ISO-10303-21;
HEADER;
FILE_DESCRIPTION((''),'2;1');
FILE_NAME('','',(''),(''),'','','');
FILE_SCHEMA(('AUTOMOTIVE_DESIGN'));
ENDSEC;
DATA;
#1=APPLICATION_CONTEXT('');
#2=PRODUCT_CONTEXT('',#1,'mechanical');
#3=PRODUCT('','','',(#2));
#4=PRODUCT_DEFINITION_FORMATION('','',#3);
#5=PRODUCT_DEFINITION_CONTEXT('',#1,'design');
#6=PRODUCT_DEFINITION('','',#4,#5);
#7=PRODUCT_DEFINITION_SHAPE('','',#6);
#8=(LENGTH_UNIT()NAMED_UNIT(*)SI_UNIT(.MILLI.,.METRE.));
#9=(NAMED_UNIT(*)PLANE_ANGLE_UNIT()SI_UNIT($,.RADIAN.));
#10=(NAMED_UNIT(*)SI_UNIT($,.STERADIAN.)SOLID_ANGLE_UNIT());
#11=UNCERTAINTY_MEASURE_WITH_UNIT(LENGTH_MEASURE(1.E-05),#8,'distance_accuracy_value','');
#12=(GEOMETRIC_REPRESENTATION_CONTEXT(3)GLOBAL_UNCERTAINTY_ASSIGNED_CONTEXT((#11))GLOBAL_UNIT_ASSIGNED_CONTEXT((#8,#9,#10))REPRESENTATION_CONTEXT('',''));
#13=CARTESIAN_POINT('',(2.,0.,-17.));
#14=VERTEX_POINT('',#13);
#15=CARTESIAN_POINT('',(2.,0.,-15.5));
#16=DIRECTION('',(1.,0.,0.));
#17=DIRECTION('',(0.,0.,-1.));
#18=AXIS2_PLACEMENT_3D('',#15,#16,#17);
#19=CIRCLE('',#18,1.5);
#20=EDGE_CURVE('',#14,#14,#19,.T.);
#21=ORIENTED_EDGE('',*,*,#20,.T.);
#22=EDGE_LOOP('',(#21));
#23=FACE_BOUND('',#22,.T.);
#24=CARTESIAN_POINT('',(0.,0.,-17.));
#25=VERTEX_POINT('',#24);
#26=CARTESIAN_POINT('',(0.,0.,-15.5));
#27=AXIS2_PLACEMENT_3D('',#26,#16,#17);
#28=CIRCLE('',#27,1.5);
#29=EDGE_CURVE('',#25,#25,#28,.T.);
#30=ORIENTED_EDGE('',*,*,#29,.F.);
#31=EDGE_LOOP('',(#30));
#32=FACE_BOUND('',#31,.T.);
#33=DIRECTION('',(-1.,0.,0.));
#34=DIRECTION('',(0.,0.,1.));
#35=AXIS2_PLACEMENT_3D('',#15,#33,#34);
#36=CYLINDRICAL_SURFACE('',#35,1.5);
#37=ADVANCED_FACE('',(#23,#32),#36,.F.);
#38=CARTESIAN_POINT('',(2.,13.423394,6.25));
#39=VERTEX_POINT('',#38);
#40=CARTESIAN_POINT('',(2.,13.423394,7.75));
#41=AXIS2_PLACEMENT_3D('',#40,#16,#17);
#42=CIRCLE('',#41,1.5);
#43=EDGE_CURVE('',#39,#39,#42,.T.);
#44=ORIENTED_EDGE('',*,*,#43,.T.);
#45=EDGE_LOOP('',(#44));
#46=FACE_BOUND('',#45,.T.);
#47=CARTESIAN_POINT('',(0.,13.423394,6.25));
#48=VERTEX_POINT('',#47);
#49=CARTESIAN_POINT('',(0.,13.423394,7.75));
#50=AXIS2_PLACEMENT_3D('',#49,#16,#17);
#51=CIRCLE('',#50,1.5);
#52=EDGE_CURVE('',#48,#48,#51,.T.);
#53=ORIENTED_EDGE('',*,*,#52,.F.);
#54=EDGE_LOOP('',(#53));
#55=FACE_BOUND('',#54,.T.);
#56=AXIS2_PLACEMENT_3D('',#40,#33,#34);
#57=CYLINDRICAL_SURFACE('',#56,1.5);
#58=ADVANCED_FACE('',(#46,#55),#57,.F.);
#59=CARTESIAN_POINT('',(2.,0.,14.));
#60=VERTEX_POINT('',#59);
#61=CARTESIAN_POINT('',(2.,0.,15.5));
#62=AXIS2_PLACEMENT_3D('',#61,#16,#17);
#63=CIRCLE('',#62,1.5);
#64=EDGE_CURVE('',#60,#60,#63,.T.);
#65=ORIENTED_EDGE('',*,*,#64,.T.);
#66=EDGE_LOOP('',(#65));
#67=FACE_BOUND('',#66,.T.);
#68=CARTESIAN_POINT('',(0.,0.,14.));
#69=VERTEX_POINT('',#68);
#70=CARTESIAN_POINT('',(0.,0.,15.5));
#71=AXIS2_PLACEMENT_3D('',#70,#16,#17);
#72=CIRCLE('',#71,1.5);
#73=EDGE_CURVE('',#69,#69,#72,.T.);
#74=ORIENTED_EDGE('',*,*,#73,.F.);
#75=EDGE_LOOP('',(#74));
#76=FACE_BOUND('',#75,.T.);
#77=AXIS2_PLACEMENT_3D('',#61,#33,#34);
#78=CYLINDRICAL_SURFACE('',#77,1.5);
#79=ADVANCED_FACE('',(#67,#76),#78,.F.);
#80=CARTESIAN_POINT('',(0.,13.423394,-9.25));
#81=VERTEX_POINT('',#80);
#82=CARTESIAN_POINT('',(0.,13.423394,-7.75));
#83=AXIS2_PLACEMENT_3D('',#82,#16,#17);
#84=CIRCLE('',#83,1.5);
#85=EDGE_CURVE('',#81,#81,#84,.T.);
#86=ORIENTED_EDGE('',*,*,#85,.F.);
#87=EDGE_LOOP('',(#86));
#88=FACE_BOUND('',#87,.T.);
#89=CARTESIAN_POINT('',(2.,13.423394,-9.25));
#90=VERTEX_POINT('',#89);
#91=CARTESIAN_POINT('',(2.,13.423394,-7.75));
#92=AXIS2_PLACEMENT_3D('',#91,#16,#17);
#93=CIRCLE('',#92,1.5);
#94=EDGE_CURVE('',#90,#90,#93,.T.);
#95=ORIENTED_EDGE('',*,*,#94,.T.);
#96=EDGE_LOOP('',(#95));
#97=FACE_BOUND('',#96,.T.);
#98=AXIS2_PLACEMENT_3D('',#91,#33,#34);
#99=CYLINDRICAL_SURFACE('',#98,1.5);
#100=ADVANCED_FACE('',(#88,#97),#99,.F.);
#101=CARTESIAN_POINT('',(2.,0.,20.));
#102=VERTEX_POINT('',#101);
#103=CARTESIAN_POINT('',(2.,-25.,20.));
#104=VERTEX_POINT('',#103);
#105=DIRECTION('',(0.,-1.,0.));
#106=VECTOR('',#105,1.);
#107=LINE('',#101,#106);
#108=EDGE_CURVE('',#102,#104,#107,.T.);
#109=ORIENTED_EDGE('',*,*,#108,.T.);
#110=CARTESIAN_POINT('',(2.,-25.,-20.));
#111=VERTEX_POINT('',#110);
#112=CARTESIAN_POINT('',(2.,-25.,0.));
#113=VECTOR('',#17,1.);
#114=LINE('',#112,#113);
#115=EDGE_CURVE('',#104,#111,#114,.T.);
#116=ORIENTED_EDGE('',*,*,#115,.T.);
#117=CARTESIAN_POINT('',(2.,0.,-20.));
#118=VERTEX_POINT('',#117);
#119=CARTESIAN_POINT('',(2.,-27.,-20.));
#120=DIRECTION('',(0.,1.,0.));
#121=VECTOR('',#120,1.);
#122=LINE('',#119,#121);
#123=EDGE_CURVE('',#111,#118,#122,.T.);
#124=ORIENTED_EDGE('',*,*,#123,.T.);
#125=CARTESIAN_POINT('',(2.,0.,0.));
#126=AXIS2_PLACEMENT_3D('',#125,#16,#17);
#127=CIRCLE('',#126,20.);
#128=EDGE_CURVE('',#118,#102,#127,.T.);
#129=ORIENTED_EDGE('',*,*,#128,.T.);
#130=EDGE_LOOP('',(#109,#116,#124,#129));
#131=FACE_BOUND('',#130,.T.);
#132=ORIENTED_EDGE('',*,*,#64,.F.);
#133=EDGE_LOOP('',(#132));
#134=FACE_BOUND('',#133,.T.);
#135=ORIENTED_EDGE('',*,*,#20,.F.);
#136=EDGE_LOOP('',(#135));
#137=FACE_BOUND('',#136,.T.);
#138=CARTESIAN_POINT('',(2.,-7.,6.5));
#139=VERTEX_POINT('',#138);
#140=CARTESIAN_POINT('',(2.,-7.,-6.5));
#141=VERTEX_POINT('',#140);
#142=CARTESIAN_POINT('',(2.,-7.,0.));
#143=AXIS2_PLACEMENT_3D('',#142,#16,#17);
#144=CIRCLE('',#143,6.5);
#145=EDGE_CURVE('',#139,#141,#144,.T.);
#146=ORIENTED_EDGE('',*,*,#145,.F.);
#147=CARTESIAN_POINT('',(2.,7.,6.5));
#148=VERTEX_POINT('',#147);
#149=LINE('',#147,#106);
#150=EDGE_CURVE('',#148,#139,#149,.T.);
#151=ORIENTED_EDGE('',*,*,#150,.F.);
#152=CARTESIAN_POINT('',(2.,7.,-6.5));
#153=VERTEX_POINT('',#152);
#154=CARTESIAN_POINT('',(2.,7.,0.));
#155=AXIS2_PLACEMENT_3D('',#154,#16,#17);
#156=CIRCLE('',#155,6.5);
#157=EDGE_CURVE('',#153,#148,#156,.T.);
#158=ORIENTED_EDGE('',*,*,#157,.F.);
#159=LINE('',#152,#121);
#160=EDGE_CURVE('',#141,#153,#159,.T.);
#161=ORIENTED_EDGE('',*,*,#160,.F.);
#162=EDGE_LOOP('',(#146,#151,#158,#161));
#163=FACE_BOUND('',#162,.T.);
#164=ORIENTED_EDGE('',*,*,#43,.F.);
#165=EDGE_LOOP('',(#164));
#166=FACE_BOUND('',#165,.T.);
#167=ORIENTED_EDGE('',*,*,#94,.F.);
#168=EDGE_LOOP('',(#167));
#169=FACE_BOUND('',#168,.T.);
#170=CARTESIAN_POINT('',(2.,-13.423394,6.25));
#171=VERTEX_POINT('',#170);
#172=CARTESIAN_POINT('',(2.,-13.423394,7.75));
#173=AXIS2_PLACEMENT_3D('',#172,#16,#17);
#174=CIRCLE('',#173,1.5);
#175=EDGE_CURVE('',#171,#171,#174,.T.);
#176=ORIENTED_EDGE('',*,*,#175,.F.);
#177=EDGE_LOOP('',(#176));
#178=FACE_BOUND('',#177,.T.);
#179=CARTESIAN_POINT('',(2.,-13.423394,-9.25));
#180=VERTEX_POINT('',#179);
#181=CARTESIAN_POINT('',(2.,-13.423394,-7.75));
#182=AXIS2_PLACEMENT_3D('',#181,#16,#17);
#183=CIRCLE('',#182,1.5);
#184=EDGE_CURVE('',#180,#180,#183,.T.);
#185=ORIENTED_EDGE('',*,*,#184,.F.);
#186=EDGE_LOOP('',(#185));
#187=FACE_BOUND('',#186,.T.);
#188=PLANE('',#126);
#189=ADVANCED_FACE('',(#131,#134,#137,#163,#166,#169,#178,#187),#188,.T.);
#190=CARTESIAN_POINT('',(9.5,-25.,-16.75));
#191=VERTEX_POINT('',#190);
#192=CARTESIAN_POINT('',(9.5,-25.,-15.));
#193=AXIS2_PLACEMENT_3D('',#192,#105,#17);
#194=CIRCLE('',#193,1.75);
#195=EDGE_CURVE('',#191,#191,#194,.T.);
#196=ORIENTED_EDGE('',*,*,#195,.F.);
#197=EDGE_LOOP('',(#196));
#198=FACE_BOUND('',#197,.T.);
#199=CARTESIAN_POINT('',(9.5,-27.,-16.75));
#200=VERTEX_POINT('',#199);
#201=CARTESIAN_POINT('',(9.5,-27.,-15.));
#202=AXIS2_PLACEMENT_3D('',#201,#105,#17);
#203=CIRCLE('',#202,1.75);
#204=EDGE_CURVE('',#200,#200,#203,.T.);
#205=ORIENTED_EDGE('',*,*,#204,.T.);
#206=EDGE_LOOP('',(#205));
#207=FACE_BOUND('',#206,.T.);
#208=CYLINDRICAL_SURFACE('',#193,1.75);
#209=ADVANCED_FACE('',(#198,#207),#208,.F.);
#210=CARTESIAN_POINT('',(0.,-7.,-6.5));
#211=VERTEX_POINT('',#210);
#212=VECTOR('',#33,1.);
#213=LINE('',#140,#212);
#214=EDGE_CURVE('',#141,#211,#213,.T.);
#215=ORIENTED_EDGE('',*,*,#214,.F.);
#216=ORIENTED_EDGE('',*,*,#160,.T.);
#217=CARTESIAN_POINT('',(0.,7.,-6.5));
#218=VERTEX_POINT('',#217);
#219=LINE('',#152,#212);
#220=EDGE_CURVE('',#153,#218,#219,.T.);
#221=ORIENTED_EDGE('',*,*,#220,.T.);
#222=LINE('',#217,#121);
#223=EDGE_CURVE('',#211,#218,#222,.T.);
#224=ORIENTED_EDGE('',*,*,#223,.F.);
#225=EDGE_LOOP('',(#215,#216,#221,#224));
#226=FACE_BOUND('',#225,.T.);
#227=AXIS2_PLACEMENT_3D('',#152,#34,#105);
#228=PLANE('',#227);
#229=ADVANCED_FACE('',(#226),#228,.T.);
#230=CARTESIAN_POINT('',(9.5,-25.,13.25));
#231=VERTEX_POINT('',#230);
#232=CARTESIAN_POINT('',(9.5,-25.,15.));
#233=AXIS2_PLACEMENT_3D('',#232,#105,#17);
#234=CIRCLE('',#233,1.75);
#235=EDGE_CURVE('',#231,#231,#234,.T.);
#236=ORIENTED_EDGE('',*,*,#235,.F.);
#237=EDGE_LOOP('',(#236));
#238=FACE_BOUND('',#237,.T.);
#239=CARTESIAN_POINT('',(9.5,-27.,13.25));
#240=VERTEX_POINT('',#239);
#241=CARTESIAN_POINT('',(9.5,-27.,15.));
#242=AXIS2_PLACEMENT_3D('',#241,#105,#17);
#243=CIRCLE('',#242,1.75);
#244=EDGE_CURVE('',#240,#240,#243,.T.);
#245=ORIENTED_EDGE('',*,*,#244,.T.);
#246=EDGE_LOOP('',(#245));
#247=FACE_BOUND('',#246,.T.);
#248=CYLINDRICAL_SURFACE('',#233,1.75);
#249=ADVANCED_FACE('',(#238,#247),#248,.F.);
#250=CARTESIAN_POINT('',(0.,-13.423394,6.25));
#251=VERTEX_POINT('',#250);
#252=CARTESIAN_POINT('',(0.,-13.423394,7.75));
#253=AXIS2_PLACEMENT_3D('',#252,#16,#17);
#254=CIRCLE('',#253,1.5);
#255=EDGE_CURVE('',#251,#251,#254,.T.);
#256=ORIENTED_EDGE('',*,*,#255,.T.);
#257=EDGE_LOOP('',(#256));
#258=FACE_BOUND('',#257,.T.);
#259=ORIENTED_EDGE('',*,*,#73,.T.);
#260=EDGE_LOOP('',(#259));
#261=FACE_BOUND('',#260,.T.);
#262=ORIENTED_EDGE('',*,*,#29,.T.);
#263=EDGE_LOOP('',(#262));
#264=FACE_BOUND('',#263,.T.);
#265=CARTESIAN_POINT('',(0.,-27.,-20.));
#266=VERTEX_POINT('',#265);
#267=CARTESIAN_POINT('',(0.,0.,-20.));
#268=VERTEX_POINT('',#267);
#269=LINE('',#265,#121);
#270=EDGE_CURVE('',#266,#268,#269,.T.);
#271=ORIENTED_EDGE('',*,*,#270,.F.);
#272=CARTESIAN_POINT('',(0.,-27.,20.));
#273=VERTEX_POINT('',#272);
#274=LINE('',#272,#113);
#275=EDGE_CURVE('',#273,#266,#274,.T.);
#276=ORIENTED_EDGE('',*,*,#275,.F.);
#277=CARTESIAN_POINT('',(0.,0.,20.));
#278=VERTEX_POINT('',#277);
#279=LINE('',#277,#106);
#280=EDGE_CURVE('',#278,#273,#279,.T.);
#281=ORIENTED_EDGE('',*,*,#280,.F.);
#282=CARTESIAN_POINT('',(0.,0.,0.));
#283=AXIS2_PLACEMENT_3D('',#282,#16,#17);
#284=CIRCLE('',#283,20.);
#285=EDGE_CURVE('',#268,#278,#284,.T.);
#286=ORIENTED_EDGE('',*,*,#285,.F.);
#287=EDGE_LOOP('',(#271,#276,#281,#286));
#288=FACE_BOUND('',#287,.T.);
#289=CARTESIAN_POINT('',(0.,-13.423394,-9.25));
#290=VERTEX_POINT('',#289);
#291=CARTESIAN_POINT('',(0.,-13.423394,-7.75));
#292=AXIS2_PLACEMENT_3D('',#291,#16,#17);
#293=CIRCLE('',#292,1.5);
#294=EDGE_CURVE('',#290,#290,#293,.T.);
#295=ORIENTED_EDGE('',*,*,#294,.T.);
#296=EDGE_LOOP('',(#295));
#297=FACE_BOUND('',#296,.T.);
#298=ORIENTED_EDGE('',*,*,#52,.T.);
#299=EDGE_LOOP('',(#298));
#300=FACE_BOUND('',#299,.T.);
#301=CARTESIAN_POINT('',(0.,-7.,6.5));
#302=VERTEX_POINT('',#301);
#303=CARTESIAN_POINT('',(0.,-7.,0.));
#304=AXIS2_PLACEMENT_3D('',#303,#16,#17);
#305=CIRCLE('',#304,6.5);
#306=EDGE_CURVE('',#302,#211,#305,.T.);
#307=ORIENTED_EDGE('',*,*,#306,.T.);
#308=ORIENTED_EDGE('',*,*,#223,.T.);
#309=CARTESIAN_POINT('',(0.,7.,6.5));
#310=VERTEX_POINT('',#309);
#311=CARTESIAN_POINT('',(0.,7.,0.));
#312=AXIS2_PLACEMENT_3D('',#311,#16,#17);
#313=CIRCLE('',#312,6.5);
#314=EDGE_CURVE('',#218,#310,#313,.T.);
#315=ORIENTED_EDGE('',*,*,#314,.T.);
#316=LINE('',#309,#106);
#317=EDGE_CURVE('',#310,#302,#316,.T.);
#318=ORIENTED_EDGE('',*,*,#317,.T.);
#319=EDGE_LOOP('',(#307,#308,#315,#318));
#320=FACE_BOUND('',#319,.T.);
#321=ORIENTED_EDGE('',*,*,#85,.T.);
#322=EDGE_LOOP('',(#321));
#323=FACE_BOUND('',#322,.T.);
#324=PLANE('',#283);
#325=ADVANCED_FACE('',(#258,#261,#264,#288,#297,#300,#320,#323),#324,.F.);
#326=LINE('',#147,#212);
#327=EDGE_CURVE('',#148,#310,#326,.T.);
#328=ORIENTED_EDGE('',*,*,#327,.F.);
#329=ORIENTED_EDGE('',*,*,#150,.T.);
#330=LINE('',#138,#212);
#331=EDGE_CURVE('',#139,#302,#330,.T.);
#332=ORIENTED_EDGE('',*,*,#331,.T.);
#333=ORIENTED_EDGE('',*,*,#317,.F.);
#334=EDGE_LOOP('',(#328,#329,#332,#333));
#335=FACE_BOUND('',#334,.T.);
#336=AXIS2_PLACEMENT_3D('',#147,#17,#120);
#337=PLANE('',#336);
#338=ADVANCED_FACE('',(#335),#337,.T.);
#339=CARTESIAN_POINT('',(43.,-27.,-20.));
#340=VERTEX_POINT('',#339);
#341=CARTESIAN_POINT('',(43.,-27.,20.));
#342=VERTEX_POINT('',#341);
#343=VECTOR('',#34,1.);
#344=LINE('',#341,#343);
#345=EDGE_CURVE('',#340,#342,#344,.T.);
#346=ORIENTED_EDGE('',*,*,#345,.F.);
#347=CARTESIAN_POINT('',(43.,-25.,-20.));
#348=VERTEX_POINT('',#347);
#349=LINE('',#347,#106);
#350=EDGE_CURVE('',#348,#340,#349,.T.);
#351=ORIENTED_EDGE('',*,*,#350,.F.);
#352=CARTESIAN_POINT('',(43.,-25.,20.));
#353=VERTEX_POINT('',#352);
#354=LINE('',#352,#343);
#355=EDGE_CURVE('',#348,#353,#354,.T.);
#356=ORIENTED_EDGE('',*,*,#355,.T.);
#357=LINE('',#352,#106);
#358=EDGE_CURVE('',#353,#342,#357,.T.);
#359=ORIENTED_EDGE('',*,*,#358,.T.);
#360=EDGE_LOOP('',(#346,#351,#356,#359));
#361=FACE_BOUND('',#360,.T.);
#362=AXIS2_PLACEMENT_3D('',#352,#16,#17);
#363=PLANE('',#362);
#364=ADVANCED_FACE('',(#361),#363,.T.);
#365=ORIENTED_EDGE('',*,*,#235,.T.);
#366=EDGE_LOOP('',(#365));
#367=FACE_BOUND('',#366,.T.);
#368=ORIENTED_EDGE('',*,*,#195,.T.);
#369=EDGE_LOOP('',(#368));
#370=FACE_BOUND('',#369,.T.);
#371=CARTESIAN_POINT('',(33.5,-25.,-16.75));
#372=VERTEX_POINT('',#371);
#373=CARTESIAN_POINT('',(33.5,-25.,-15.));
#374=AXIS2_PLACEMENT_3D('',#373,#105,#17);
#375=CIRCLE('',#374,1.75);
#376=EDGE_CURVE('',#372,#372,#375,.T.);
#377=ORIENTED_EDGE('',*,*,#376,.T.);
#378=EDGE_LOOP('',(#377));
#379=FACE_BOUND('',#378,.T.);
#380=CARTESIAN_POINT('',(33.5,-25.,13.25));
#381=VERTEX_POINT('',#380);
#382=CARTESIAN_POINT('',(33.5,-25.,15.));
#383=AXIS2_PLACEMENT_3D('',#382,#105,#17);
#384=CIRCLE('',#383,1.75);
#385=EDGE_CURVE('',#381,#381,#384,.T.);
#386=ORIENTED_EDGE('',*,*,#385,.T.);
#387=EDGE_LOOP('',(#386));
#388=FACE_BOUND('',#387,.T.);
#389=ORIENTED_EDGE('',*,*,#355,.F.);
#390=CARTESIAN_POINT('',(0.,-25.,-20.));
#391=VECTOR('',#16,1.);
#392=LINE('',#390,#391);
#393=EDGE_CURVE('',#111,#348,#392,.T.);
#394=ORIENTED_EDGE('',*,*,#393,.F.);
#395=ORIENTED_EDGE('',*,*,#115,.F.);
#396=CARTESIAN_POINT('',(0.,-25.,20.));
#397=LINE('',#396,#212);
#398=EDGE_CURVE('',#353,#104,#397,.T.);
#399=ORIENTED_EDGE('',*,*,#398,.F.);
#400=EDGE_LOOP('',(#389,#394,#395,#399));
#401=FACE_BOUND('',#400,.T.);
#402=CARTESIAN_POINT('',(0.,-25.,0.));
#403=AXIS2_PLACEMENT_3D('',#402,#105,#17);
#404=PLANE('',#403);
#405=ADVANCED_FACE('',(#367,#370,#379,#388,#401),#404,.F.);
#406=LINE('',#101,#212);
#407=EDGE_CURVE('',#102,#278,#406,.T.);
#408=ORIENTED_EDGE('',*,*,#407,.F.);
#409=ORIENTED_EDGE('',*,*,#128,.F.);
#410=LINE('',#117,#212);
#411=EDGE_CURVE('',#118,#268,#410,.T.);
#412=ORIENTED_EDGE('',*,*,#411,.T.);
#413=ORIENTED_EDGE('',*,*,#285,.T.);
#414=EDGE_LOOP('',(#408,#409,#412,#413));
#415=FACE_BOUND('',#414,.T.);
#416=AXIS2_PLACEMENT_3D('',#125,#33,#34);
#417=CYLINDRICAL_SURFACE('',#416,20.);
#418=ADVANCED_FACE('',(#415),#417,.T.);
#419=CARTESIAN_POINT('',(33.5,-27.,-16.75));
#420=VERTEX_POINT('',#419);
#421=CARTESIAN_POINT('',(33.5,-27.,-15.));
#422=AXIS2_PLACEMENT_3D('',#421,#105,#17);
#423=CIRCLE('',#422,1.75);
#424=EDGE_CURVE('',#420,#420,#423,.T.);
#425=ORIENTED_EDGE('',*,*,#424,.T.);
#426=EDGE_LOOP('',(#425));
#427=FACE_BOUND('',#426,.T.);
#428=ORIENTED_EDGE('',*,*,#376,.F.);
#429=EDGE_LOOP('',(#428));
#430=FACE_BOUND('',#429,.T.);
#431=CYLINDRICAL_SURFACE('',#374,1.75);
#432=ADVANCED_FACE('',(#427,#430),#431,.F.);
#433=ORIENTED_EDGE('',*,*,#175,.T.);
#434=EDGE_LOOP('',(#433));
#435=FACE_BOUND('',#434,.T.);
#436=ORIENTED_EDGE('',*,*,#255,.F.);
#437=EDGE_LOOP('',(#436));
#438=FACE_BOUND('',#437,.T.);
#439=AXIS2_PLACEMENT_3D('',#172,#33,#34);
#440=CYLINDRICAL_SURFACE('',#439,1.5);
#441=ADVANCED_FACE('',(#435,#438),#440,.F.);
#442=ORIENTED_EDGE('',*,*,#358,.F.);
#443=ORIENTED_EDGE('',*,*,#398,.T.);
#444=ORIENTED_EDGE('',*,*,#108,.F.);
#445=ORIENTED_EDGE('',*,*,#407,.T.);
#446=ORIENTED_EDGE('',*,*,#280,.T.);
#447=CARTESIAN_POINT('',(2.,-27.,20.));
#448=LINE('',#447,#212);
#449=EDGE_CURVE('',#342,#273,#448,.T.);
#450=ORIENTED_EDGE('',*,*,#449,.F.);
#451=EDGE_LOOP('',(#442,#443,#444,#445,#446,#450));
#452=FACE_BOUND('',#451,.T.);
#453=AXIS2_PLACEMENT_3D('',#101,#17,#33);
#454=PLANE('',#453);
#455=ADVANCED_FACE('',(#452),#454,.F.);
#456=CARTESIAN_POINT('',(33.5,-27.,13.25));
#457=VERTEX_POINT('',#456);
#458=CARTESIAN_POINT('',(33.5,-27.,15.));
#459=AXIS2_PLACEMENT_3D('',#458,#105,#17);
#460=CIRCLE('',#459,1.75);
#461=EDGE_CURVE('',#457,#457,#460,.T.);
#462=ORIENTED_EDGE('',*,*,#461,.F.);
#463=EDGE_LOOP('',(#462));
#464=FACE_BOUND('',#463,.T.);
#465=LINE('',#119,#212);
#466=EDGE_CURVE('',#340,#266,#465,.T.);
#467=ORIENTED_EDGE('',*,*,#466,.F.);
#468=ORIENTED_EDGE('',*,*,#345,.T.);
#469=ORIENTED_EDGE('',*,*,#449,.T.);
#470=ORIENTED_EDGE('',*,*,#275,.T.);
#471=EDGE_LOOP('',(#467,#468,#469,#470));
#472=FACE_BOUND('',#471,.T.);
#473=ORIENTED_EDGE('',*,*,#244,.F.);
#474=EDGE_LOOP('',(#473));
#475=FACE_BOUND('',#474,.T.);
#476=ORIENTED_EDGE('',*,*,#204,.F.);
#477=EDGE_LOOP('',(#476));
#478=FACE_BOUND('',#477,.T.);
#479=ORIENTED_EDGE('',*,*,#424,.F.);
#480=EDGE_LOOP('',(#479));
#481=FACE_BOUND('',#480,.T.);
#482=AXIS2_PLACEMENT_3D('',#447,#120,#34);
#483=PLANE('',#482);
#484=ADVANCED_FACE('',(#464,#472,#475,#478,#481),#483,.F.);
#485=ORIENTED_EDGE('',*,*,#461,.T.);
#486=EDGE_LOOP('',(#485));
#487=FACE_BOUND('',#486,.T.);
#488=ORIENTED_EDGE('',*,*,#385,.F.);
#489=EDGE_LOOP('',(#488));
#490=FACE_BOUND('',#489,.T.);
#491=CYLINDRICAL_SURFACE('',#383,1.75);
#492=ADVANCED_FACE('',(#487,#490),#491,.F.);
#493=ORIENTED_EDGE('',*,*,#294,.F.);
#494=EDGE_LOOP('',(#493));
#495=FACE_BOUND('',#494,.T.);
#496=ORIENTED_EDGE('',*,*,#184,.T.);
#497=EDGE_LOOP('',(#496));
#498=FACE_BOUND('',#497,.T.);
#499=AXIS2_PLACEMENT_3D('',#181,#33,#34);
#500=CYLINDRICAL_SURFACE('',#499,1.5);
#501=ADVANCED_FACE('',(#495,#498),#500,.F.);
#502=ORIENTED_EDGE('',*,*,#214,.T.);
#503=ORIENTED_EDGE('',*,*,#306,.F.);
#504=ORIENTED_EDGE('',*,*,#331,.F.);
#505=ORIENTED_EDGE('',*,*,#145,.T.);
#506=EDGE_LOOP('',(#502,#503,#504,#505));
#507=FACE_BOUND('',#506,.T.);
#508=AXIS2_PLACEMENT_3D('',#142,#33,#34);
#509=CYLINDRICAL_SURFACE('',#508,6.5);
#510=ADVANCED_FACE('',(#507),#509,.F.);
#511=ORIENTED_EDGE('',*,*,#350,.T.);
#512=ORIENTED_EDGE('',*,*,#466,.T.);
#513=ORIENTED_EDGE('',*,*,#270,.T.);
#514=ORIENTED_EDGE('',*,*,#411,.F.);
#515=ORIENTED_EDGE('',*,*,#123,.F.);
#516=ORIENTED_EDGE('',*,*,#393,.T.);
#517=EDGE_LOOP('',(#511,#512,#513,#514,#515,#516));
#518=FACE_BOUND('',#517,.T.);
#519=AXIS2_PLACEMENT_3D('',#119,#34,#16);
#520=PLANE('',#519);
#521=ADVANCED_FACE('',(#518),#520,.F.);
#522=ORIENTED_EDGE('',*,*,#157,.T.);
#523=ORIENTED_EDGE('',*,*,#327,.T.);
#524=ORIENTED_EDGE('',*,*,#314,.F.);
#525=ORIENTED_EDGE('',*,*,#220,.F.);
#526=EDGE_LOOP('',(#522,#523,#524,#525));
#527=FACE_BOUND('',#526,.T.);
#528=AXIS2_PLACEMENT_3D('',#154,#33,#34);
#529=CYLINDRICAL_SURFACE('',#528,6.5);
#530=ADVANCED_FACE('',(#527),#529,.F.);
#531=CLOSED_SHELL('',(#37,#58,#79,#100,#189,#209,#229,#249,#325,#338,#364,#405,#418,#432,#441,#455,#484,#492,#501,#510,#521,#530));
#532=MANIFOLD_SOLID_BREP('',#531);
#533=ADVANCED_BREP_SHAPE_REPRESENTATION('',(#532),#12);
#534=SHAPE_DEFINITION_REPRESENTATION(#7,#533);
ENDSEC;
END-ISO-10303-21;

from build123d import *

# Parameters (mm, degrees)
SKETCH_1_R      = 1.5
EXTRUDE_1_DEPTH = 2
SKETCH_3_W      = 43
SKETCH_3_H      = 40
SKETCH_3_R      = 1.75
EXTRUDE_2_DEPTH = 2


with BuildPart() as part:
    # 草图1 → 凸台-拉伸1 (new body)
    with BuildSketch(Plane(origin=(0, 0, 0), x_dir=(0, 0, -1), z_dir=(1, 0, 0))):
        with BuildLine():
            Line((-20, 0), (-20, -27))
            Line((-20, -27), (20, -27))
            Line((20, -27), (20, 0))
            ThreePointArc((20, 0), (0, 20), (-20, 0))
        make_face()
        with Locations((-15.5, 0)):
            Circle(SKETCH_1_R, mode=Mode.SUBTRACT)
        with Locations((-7.75, 13.423393759)):
            Circle(SKETCH_1_R, mode=Mode.SUBTRACT)
        with Locations((7.75, 13.423393759)):
            Circle(SKETCH_1_R, mode=Mode.SUBTRACT)
        with Locations((15.5, 0)):
            Circle(SKETCH_1_R, mode=Mode.SUBTRACT)
        with Locations((7.75, -13.423393759)):
            Circle(SKETCH_1_R, mode=Mode.SUBTRACT)
        with Locations((-7.75, -13.423393759)):
            Circle(SKETCH_1_R, mode=Mode.SUBTRACT)
        with BuildLine():
            Line((6.5, 7), (6.5, -7))
            ThreePointArc((6.5, -7), (0, -13.5), (-6.5, -7))
            Line((-6.5, -7), (-6.5, 7))
            ThreePointArc((-6.5, 7), (0, 13.5), (6.5, 7))
        make_face(mode=Mode.SUBTRACT)
    extrude(amount=EXTRUDE_1_DEPTH)

    # 草图3 → 凸台-拉伸2 (add)
    with BuildSketch(Plane.XZ.offset(27)):
        with Locations((21.5, 0)):
            Rectangle(SKETCH_3_W, SKETCH_3_H)
        with Locations(Location((9.5, 15, 0), (0, 0, 270))):
            Circle(SKETCH_3_R, mode=Mode.SUBTRACT)
        with Locations(Location((9.5, -15, 0), (0, 0, 270))):
            Circle(SKETCH_3_R, mode=Mode.SUBTRACT)
        with Locations(Location((33.5, 15, 0), (0, 0, 270))):
            Circle(SKETCH_3_R, mode=Mode.SUBTRACT)
        with Locations(Location((33.5, -15, 0), (0, 0, 270))):
            Circle(SKETCH_3_R, mode=Mode.SUBTRACT)
    extrude(amount=-EXTRUDE_2_DEPTH)


solid = part.part
